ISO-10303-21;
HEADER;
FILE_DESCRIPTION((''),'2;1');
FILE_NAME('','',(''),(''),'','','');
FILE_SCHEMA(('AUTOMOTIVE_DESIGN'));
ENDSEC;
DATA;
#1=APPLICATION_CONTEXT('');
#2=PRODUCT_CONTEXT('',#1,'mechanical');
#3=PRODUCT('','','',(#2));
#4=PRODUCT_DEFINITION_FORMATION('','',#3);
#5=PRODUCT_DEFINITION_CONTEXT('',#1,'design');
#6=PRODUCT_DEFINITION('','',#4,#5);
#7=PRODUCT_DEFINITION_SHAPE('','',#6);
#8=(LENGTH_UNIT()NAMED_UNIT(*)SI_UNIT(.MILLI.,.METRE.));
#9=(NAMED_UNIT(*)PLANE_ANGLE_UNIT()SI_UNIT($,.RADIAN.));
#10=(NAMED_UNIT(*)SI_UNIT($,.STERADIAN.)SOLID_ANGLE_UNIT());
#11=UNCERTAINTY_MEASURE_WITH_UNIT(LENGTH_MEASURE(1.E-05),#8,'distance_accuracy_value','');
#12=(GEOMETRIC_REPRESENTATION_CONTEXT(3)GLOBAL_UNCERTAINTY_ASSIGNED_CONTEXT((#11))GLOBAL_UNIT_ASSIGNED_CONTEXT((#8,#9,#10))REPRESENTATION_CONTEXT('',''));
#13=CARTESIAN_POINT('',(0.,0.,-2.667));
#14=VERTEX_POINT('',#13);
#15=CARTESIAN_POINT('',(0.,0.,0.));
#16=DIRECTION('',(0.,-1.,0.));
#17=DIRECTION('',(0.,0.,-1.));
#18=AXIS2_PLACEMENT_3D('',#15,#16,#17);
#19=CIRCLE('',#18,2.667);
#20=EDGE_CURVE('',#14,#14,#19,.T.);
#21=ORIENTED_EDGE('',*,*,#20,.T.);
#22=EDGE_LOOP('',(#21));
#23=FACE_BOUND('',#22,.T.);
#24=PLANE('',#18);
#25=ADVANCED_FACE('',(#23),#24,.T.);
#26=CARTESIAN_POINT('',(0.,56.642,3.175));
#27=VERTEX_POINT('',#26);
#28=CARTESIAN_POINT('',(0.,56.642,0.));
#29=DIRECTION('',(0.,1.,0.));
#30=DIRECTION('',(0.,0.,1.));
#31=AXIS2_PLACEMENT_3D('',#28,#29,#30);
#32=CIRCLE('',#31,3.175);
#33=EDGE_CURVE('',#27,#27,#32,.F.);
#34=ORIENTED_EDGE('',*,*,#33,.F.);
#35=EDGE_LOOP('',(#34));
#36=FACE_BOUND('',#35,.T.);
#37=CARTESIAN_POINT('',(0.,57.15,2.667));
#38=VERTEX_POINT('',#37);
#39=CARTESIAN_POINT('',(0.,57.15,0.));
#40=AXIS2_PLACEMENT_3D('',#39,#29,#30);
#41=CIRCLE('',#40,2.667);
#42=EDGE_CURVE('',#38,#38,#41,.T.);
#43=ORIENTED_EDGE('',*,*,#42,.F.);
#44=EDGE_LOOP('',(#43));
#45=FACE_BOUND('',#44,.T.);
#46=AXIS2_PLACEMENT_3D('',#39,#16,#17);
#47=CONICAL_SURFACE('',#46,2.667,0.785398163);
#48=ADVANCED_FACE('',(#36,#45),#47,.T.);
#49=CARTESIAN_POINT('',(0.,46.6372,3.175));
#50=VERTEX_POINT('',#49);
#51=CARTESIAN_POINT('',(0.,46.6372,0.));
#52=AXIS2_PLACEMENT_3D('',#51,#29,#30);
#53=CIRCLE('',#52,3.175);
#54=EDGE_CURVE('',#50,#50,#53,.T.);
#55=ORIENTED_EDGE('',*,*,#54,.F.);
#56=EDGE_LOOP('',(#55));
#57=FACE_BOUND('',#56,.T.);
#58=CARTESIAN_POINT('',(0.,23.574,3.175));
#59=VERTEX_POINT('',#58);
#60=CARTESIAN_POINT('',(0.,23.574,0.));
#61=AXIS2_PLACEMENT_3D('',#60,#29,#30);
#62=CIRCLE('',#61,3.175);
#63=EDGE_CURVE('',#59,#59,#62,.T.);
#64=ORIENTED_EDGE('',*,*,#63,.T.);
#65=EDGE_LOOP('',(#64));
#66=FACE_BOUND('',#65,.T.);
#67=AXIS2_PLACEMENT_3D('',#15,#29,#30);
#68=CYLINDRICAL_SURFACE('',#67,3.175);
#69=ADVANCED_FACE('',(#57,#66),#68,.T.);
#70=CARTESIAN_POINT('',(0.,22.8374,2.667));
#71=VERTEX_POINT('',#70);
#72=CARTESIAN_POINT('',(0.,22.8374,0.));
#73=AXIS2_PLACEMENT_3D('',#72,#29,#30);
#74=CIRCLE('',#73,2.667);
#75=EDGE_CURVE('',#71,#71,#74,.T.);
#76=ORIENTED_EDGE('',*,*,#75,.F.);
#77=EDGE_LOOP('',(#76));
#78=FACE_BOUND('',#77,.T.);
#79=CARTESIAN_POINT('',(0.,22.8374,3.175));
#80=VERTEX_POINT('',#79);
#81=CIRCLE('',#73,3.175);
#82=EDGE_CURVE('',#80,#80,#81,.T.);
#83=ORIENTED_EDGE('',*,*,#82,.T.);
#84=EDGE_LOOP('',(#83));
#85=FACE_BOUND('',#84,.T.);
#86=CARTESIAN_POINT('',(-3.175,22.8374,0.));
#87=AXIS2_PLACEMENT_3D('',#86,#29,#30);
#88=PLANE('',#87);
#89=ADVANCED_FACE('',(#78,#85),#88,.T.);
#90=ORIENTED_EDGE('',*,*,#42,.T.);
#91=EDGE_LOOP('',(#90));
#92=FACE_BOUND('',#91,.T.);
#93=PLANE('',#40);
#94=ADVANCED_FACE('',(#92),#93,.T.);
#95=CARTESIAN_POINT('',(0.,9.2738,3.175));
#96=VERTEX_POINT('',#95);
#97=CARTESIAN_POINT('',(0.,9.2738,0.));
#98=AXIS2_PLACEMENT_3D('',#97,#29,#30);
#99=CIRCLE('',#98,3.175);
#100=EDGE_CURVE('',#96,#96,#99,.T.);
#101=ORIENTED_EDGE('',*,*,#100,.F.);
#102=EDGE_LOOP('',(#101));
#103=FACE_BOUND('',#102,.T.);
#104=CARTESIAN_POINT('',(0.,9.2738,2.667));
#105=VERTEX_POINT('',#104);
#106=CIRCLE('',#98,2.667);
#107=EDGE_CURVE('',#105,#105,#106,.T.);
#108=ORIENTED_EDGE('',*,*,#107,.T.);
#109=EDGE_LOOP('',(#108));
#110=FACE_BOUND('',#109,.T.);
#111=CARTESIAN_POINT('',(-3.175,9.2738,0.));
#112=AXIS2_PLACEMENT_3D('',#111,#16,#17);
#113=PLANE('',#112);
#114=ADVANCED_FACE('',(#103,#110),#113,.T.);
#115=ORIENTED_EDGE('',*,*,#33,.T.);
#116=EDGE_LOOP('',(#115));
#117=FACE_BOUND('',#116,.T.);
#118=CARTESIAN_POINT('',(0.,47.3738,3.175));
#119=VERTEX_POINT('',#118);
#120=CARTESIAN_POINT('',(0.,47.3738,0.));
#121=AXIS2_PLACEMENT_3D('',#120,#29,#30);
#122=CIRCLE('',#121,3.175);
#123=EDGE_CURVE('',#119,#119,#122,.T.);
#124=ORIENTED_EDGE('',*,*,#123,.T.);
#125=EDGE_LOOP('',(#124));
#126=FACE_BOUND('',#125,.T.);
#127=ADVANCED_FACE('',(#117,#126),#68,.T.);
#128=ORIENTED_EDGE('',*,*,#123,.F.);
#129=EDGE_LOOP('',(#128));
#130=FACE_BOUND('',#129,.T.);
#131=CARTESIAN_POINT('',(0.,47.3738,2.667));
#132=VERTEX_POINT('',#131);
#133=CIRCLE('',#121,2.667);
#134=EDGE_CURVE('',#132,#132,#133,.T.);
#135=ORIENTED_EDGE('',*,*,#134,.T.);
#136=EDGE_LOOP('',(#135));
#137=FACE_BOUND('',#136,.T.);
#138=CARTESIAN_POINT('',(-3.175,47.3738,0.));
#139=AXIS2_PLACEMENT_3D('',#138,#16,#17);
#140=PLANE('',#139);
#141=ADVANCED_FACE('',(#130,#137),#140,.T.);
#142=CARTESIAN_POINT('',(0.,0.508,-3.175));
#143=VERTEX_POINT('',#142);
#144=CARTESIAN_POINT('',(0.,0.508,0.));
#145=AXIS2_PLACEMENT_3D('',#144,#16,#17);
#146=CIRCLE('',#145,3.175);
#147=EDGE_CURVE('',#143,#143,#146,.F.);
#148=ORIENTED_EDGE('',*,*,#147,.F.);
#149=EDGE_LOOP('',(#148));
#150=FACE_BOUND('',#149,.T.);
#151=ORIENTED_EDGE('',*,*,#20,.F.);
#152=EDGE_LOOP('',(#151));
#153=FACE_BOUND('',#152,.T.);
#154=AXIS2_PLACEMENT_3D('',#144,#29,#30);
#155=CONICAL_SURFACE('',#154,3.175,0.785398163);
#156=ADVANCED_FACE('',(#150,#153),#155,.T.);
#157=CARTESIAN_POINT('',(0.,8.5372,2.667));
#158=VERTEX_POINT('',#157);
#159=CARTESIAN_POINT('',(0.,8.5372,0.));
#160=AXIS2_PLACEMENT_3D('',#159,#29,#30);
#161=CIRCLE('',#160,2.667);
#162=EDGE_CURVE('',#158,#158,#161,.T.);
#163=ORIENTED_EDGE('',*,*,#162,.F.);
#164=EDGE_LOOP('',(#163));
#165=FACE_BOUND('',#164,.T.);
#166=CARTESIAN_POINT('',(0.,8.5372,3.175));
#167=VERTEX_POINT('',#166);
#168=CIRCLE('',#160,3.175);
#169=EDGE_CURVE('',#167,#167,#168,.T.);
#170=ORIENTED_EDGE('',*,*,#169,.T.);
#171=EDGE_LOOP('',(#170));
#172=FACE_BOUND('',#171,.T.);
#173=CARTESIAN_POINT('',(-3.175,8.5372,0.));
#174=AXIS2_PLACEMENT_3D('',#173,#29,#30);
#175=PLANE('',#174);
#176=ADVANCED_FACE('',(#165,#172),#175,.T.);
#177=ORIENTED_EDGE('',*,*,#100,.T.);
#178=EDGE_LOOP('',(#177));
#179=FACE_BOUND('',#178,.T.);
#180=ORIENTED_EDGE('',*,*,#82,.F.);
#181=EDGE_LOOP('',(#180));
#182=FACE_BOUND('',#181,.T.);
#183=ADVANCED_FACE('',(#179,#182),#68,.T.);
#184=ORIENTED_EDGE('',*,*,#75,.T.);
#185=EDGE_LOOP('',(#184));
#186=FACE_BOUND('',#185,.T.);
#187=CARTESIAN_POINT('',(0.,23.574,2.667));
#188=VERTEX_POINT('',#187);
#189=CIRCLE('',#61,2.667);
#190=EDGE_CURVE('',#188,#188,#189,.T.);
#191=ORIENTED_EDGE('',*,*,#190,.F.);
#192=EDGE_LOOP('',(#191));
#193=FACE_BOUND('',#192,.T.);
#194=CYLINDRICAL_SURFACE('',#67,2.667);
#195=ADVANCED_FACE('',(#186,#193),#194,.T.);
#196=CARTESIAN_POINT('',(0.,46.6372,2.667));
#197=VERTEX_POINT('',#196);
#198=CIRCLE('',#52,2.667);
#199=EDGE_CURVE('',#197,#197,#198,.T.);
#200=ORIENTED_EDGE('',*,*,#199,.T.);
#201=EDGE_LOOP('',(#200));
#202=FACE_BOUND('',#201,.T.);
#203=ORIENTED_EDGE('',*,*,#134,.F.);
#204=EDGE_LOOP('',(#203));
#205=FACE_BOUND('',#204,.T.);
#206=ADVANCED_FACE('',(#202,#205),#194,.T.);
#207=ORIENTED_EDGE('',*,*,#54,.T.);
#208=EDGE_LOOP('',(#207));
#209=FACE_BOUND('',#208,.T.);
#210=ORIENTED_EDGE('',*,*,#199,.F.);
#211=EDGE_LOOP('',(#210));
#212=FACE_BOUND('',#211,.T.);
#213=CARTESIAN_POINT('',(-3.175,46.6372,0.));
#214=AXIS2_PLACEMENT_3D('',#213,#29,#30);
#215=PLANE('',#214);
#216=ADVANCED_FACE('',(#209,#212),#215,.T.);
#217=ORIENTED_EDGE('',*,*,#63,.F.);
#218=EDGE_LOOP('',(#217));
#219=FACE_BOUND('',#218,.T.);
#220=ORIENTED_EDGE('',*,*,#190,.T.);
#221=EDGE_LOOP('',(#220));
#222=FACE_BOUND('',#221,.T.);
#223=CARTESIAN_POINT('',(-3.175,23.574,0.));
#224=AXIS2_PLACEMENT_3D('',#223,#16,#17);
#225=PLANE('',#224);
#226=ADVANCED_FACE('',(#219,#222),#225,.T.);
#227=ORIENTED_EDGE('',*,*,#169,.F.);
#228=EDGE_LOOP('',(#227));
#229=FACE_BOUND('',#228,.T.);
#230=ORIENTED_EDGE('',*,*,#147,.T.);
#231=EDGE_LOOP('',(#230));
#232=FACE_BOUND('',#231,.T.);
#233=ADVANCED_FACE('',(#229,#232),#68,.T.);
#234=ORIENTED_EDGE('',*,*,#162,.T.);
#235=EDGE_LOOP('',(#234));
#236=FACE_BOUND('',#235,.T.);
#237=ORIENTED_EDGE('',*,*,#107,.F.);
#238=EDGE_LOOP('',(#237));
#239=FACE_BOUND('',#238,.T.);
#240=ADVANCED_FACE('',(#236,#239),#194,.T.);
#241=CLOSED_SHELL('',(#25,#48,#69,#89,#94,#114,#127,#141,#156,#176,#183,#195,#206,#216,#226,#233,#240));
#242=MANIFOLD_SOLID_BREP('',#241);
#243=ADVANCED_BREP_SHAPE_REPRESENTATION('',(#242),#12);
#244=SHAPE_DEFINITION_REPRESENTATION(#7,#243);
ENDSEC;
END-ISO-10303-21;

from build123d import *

# Parameters (mm, degrees)
CHAMFER1_SIZE = 0.508


with BuildPart() as part:
    # Sketch1 → Revolve1 (revolve)
    with BuildSketch(Plane.XY):
        Polygon((-3.175, 47.3738), (-3.175, 57.15), (0, 57.15), (0, 0), (-3.175, 0), (-3.175, 8.5372), (-2.667, 8.5372), (-2.667, 9.2738), (-3.175, 9.2738), (-3.175, 22.8374), (-2.667, 22.8374), (-2.667, 23.574), (-3.175, 23.574), (-3.175, 46.6372), (-2.667, 46.6372), (-2.667, 47.3738), align=None)
    revolve(axis=Axis((0, 0, 0), (0, -1, 0)))

    # Chamfer1
    chamfer1_edges = [part.edges().sort_by_distance(p)[0] for p in [
        (3.175, 0, 0),
        (3.175, 57.15, 0),
    ]]
    chamfer(chamfer1_edges, length=CHAMFER1_SIZE)


solid = part.part
